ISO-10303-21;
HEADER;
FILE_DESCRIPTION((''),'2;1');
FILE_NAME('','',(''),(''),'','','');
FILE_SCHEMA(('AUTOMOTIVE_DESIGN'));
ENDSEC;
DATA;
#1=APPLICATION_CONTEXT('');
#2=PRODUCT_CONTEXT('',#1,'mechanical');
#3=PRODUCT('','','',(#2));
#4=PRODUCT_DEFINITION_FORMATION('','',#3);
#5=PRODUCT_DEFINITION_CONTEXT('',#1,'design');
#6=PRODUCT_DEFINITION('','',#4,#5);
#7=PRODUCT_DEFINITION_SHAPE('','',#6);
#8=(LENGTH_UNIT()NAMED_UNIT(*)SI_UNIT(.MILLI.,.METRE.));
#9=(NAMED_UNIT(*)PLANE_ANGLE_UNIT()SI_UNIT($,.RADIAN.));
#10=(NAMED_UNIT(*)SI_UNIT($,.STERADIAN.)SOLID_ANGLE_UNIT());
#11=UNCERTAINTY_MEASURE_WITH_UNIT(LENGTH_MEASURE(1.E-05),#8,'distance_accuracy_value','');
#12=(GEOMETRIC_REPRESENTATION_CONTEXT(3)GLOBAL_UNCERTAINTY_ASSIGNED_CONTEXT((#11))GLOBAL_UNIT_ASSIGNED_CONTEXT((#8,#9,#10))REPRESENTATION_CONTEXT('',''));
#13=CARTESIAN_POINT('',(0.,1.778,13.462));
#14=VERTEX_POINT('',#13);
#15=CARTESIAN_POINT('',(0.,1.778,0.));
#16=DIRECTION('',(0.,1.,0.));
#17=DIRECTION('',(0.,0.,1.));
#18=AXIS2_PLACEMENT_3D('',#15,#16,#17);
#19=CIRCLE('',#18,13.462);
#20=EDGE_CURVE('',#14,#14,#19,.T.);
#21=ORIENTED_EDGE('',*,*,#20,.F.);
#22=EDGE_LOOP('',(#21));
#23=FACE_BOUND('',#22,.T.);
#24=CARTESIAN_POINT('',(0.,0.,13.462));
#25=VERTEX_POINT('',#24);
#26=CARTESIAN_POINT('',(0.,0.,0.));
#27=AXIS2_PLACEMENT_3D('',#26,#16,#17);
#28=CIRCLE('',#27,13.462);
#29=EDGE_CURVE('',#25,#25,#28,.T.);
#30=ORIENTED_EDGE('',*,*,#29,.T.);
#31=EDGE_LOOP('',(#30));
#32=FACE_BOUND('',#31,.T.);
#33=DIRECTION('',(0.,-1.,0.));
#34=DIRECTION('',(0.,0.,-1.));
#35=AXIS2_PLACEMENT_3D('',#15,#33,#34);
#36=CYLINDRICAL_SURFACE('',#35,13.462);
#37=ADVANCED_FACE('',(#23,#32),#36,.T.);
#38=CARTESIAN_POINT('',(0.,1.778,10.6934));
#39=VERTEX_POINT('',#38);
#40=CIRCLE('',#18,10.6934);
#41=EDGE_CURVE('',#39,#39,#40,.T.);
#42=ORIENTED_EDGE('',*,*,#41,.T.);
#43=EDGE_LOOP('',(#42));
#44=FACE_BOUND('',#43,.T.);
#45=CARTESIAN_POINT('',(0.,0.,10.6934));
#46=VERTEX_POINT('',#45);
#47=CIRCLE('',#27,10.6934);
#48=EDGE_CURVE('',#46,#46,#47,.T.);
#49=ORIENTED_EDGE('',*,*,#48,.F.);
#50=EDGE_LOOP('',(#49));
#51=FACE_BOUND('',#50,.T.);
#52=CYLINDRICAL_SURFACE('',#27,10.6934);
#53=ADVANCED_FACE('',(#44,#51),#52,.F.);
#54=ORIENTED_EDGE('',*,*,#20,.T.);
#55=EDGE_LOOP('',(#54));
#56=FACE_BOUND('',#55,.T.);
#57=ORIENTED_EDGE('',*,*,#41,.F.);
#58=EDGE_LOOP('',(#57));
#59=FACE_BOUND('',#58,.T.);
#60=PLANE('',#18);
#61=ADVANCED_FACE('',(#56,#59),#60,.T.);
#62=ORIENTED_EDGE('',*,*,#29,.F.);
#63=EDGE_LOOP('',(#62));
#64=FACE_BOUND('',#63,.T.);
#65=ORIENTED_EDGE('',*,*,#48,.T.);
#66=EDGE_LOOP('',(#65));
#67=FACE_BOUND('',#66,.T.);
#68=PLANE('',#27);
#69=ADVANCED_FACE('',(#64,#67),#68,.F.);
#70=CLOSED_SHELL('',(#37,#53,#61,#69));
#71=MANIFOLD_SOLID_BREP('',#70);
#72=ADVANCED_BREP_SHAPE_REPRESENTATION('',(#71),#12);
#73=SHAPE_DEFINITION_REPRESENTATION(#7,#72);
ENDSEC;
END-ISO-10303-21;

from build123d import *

# Parameters (mm, degrees)
SKETCH2_R           = 13.462
BOSS_EXTRUDE1_DEPTH = 1.778
SKETCH3_R           = 10.6934
CUT_EXTRUDE1_DEPTH  = 20.120987736


with BuildPart() as part:
    # Sketch2 → Boss-Extrude1 (new body)
    with BuildSketch(Plane(origin=(0, 0, 0), x_dir=(1, 0, 0), z_dir=(0, 1, 0))):
        with Locations(Location((0, 0, 0), (0, 0, 270))):
            Circle(SKETCH2_R)
    extrude(amount=BOSS_EXTRUDE1_DEPTH)

    # Sketch3 → Cut-Extrude1 (cut, through all)
    with BuildSketch(Plane(origin=(0, 1.778, 0), x_dir=(1, 0, 0), z_dir=(0, 1, 0))):
        with Locations(Location((0, 0, 0), (0, 0, 270))):
            Circle(SKETCH3_R)
    extrude(amount=-CUT_EXTRUDE1_DEPTH, mode=Mode.SUBTRACT)


solid = part.part
